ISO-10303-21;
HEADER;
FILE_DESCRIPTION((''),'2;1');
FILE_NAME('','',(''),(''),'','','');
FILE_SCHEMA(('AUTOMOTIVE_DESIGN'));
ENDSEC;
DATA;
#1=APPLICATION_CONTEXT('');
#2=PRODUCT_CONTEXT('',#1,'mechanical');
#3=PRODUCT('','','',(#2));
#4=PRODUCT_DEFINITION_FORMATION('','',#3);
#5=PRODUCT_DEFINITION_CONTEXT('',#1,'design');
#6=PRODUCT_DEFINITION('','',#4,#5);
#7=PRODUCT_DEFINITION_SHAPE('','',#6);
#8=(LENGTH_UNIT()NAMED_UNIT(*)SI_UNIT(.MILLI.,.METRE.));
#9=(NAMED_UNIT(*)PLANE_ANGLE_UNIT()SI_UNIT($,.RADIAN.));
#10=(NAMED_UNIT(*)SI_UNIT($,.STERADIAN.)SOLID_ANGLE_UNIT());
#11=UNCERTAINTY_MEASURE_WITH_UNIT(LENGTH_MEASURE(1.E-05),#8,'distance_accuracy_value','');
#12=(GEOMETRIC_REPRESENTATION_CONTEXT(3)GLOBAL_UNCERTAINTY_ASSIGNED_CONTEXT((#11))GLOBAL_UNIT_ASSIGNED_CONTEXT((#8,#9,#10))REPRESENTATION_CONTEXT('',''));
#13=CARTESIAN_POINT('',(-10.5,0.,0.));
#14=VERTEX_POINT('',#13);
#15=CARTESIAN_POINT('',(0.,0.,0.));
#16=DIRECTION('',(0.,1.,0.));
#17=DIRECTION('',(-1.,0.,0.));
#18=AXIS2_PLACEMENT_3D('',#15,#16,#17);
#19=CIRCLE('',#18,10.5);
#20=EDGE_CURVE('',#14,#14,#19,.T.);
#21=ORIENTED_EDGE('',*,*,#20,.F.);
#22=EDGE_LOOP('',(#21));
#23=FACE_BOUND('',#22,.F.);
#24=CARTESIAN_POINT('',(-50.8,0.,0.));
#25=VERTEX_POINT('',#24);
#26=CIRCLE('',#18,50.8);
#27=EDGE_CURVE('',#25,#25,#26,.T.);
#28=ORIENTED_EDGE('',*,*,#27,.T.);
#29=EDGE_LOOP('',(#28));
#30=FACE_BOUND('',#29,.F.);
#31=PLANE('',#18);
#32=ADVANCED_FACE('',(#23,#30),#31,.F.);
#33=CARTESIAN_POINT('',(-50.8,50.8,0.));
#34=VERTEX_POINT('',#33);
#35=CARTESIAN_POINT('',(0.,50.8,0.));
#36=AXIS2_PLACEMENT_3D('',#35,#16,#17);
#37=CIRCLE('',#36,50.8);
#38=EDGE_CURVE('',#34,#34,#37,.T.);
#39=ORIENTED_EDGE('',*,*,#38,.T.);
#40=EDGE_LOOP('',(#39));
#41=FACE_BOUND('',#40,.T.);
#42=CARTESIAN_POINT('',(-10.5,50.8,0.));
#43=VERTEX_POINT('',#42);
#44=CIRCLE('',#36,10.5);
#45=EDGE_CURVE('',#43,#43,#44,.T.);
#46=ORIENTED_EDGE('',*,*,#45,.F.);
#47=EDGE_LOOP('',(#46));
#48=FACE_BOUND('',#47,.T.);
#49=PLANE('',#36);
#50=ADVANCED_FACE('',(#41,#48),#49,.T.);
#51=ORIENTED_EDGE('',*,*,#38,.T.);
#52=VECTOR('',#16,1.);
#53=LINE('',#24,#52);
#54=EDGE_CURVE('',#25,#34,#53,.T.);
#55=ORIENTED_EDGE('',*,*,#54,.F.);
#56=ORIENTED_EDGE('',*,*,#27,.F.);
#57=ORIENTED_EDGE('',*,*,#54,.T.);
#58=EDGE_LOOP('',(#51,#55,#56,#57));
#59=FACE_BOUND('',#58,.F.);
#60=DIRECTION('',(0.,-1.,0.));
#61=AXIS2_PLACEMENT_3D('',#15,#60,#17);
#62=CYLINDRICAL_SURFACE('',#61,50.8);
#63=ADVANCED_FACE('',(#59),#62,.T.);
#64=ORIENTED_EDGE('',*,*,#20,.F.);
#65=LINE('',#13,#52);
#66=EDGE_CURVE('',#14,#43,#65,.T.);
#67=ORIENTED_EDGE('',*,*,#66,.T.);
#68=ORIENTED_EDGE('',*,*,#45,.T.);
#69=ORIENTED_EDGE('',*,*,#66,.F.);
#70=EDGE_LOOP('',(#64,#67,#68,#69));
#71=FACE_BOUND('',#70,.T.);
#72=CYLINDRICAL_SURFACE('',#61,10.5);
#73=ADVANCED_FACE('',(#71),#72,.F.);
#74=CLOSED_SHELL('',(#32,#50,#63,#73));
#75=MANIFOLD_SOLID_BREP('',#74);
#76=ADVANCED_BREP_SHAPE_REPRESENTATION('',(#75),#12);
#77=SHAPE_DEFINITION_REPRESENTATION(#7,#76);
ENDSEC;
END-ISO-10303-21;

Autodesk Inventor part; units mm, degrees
ref_plane "YZ Plane" through (0, 0, 0) normal (1, 0, 0) x (0, 1, 0)
ref_plane "XZ Plane" through (0, 0, 0) normal (0, 1, 0) x (-1, 0, 0)
ref_plane "XY Plane" through (0, 0, 0) normal (0, 0, 1) x (1, 0, 0)
sketch "Sketch1" plane through (0, 0, 0) normal (0, 1, 0) x (-1, 0, 0)
  circle A0 centre (0, 0) radius 10.5
  circle A1 centre (0, 0) radius 50.8
  dimension "d0" = 21
  dimension "d1" = 101.6
extrude "Extrusion1" add sketch "Sketch1" along normal blind 50.8
properties part number "Spacer_1_00_in"
